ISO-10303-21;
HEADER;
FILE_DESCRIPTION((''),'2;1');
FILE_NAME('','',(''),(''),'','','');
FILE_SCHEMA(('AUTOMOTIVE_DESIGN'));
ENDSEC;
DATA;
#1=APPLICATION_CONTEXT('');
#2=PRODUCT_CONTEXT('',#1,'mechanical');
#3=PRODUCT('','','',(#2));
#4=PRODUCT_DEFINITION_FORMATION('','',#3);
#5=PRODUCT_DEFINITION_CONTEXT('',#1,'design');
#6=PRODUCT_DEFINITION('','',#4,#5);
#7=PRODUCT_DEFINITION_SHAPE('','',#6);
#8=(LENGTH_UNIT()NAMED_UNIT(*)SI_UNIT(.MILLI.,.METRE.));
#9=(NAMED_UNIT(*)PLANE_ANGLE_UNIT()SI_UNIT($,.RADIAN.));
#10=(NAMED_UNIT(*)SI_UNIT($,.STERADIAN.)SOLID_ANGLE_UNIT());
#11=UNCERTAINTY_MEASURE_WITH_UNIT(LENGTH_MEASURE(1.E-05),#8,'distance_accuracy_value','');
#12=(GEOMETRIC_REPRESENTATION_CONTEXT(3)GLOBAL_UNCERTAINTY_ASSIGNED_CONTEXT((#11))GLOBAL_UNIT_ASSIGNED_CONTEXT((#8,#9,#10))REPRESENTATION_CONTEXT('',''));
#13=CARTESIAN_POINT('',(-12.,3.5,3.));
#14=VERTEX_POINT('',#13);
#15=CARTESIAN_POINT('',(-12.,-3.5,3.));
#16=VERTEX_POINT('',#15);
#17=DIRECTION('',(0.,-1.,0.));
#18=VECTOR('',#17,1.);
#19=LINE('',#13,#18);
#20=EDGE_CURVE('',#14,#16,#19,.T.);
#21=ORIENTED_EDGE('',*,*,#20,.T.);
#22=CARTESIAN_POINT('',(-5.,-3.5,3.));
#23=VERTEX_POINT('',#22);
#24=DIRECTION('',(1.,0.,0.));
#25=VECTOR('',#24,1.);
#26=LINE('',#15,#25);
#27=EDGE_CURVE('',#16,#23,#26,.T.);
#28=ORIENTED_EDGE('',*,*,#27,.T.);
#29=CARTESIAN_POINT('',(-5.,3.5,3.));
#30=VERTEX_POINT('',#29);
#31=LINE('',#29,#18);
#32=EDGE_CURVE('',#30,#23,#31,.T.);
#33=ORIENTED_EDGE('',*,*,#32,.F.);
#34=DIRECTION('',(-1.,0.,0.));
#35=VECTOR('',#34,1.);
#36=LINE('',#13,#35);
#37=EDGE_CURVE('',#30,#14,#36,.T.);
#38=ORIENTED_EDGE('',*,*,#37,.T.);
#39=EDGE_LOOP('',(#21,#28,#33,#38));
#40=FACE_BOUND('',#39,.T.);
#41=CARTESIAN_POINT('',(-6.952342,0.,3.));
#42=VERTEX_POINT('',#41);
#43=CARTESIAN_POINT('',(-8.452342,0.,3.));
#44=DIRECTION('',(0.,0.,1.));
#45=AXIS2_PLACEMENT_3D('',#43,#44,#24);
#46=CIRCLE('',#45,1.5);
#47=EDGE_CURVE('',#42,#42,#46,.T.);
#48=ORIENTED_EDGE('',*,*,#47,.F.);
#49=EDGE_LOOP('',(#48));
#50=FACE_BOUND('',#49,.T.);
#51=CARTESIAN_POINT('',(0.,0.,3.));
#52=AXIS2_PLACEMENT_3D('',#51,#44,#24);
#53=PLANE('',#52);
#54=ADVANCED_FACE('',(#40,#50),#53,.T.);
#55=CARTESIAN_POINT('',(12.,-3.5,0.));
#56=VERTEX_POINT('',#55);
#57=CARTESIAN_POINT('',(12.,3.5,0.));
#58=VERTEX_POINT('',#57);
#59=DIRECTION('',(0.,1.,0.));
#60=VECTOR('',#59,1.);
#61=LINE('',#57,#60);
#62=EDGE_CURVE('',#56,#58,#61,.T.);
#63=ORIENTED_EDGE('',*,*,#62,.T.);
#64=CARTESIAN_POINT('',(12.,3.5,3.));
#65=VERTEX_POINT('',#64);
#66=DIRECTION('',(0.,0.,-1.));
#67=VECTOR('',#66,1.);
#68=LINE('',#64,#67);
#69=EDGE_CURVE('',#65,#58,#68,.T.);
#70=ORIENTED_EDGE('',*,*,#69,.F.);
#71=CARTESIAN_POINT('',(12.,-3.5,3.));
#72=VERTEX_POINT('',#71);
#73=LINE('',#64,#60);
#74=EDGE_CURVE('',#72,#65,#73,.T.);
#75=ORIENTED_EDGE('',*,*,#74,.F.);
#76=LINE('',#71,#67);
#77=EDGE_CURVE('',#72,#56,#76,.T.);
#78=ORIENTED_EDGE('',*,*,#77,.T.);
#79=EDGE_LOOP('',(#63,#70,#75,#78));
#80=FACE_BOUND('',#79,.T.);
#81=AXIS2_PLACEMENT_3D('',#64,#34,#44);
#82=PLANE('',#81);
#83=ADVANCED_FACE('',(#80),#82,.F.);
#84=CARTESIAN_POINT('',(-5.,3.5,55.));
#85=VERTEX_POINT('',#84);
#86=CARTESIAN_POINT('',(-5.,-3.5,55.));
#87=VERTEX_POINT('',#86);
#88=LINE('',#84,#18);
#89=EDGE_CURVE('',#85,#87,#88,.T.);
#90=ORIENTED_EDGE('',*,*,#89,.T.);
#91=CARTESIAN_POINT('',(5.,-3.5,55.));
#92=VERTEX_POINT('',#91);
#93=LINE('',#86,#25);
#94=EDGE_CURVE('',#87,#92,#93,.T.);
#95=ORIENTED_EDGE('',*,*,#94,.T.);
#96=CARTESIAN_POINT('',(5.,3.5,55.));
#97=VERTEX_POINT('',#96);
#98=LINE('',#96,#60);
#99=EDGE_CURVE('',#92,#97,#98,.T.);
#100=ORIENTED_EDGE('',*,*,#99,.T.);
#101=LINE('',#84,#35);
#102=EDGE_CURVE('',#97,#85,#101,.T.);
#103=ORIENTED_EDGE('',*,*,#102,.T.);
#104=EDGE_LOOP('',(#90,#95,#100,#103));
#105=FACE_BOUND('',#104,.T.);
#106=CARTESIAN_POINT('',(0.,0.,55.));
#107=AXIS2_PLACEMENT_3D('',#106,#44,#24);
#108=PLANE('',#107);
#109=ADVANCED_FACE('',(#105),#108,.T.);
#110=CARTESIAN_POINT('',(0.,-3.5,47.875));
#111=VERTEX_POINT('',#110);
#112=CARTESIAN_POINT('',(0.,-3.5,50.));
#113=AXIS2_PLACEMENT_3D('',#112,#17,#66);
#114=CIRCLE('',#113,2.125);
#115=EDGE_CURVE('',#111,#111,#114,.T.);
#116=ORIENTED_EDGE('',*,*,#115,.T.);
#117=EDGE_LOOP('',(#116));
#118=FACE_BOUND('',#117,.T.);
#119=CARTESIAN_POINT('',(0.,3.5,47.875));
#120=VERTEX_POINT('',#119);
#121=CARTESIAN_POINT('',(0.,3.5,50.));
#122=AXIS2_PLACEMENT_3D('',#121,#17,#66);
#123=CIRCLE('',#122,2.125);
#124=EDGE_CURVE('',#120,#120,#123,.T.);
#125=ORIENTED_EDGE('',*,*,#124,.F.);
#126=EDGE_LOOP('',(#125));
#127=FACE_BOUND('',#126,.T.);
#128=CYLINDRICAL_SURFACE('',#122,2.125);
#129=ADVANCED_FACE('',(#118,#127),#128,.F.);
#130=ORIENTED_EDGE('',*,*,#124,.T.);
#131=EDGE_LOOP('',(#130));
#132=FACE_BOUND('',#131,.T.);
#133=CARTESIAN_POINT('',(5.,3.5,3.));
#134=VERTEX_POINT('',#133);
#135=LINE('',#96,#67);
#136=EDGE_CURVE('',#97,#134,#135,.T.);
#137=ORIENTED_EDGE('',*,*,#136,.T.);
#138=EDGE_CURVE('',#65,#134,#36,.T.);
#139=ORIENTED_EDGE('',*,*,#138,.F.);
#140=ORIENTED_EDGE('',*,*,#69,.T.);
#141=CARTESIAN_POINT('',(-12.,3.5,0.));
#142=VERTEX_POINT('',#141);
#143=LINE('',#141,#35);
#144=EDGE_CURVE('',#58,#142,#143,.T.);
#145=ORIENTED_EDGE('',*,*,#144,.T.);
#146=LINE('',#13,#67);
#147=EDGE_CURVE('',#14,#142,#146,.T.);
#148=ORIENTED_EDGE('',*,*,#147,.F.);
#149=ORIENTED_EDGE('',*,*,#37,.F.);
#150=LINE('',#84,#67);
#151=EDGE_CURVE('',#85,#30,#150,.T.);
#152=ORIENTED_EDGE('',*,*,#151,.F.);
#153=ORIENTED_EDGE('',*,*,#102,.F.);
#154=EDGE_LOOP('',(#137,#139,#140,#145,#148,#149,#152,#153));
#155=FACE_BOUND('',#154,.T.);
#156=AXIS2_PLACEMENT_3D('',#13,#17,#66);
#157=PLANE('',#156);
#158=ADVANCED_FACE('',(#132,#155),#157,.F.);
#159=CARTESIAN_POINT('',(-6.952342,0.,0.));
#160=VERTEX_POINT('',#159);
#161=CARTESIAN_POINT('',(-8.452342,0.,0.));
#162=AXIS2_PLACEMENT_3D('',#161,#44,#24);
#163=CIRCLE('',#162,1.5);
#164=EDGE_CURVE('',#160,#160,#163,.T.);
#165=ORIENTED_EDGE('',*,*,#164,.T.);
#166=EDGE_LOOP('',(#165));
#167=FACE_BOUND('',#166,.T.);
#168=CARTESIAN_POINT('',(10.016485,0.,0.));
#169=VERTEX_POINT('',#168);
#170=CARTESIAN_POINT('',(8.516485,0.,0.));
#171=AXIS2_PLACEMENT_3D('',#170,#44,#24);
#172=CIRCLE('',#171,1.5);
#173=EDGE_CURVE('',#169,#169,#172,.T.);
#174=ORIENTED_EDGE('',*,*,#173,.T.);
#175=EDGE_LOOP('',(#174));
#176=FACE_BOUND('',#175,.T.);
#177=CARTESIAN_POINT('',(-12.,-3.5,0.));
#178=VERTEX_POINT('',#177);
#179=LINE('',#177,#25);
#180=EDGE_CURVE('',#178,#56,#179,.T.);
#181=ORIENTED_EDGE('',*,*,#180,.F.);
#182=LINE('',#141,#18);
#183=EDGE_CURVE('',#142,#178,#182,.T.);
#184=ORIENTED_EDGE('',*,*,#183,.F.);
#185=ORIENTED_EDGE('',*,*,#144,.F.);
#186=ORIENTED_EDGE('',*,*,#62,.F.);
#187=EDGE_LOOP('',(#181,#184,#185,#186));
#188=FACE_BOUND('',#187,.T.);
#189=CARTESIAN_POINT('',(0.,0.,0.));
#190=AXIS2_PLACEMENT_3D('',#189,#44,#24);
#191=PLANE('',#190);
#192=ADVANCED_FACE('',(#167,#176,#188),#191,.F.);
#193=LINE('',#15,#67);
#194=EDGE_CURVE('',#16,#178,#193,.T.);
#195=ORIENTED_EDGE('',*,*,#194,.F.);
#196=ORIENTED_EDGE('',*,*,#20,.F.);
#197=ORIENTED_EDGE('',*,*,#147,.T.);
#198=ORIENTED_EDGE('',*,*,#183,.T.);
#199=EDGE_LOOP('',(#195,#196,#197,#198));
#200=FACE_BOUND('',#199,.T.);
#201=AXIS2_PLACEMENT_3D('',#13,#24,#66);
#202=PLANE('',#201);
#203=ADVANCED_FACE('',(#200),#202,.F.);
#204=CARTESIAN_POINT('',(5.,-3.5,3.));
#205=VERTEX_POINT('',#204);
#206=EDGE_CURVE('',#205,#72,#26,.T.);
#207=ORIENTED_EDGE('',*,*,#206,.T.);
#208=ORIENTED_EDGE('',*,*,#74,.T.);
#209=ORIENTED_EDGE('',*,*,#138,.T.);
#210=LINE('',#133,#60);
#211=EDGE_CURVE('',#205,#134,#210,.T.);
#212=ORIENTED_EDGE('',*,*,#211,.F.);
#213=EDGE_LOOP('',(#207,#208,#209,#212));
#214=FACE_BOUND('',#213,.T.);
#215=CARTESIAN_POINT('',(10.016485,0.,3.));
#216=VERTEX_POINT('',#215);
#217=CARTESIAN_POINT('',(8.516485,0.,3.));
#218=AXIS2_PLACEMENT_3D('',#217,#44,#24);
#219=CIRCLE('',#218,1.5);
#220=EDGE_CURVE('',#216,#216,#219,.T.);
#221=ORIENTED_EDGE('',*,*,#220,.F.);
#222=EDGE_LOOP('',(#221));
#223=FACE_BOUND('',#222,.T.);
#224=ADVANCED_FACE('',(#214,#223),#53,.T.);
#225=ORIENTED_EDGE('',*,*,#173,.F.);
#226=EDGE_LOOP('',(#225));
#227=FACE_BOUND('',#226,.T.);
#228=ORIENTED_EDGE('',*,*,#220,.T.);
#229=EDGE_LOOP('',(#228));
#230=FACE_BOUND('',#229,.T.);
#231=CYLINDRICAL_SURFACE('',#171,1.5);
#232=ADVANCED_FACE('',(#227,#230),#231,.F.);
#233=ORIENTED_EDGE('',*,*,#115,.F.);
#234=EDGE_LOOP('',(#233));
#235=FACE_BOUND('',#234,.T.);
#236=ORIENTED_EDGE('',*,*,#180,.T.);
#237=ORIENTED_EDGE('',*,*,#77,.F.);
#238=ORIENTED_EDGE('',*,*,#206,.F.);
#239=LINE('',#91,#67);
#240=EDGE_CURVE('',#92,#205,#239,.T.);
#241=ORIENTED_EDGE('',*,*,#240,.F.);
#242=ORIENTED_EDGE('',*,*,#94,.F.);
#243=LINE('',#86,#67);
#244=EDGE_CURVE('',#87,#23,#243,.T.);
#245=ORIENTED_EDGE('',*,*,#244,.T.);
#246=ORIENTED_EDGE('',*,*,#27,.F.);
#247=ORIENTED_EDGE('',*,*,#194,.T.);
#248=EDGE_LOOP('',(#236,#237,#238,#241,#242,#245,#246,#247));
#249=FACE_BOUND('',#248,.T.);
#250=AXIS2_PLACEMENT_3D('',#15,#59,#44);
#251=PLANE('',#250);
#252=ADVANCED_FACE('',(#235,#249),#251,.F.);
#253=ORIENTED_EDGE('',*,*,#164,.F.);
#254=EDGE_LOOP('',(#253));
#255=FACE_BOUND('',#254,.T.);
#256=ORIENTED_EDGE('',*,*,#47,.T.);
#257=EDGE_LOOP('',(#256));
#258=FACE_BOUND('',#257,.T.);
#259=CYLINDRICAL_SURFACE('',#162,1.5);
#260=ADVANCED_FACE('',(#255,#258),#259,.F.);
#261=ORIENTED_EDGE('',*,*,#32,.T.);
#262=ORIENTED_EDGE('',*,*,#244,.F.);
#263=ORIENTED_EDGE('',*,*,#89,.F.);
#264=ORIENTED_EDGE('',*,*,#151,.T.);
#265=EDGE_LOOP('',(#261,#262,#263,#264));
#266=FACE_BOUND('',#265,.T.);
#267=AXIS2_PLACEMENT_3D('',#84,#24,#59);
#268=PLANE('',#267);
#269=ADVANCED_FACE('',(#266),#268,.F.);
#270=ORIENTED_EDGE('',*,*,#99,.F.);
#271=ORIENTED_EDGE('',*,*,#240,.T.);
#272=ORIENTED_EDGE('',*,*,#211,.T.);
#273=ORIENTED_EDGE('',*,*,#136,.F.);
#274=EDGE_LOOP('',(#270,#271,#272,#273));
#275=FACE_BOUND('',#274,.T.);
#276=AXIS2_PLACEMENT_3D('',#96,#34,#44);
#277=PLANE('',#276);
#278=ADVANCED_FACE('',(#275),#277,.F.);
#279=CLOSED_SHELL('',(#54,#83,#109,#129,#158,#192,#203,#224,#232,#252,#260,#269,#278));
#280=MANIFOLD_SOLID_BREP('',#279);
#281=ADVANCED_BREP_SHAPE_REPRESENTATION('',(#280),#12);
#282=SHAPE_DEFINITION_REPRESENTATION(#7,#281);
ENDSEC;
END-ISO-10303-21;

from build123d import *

# Parameters (mm, degrees)
SKETCH_1_W          = 24
SKETCH_1_H          = 7
EXTRUDE_2_DEPTH     = 3
SKETCH_3_W          = 10
SKETCH_3_H          = 7
EXTRUDE_4_DEPTH     = 52
SKETCH_5_R          = 2.125
CUT_EXTRUDE_1_DEPTH = 7
SKETCH_6_R          = 1.5
CUT_EXTRUDE_2_DEPTH = 3
SKETCH_7_R          = 1.5
CUT_EXTRUDE_3_DEPTH = 3


with BuildPart() as part:
    # Эскиз1 → Бобышка-Вытянуть2 (new body)
    with BuildSketch(Plane.XY):
        Rectangle(SKETCH_1_W, SKETCH_1_H)
    extrude(amount=EXTRUDE_2_DEPTH)

    # Эскиз3 → Бобышка-Вытянуть4 (add)
    with BuildSketch(Plane.XY.offset(3)):
        Rectangle(SKETCH_3_W, SKETCH_3_H)
    extrude(amount=EXTRUDE_4_DEPTH)

    # Эскиз5 → Вырез-Вытянуть1 (cut)
    with BuildSketch(Plane(origin=(0, -3.5, 0), x_dir=(-1, 0, 0), z_dir=(0, -1, 0))):
        with Locations((0, -50)):
            Circle(SKETCH_5_R)
    extrude(amount=-CUT_EXTRUDE_1_DEPTH, mode=Mode.SUBTRACT)

    # Эскиз6 → Вырез-Вытянуть2 (cut)
    with BuildSketch(Plane.XY.offset(3)):
        with Locations((8.516484568, 0)):
            Circle(SKETCH_6_R)
    extrude(amount=-CUT_EXTRUDE_2_DEPTH, mode=Mode.SUBTRACT)

    # Эскиз7 → Вырез-Вытянуть3 (cut)
    with BuildSketch(Plane.XY.offset(3)):
        with Locations((-8.452342131, 0)):
            Circle(SKETCH_7_R)
    extrude(amount=-CUT_EXTRUDE_3_DEPTH, mode=Mode.SUBTRACT)


solid = part.part
